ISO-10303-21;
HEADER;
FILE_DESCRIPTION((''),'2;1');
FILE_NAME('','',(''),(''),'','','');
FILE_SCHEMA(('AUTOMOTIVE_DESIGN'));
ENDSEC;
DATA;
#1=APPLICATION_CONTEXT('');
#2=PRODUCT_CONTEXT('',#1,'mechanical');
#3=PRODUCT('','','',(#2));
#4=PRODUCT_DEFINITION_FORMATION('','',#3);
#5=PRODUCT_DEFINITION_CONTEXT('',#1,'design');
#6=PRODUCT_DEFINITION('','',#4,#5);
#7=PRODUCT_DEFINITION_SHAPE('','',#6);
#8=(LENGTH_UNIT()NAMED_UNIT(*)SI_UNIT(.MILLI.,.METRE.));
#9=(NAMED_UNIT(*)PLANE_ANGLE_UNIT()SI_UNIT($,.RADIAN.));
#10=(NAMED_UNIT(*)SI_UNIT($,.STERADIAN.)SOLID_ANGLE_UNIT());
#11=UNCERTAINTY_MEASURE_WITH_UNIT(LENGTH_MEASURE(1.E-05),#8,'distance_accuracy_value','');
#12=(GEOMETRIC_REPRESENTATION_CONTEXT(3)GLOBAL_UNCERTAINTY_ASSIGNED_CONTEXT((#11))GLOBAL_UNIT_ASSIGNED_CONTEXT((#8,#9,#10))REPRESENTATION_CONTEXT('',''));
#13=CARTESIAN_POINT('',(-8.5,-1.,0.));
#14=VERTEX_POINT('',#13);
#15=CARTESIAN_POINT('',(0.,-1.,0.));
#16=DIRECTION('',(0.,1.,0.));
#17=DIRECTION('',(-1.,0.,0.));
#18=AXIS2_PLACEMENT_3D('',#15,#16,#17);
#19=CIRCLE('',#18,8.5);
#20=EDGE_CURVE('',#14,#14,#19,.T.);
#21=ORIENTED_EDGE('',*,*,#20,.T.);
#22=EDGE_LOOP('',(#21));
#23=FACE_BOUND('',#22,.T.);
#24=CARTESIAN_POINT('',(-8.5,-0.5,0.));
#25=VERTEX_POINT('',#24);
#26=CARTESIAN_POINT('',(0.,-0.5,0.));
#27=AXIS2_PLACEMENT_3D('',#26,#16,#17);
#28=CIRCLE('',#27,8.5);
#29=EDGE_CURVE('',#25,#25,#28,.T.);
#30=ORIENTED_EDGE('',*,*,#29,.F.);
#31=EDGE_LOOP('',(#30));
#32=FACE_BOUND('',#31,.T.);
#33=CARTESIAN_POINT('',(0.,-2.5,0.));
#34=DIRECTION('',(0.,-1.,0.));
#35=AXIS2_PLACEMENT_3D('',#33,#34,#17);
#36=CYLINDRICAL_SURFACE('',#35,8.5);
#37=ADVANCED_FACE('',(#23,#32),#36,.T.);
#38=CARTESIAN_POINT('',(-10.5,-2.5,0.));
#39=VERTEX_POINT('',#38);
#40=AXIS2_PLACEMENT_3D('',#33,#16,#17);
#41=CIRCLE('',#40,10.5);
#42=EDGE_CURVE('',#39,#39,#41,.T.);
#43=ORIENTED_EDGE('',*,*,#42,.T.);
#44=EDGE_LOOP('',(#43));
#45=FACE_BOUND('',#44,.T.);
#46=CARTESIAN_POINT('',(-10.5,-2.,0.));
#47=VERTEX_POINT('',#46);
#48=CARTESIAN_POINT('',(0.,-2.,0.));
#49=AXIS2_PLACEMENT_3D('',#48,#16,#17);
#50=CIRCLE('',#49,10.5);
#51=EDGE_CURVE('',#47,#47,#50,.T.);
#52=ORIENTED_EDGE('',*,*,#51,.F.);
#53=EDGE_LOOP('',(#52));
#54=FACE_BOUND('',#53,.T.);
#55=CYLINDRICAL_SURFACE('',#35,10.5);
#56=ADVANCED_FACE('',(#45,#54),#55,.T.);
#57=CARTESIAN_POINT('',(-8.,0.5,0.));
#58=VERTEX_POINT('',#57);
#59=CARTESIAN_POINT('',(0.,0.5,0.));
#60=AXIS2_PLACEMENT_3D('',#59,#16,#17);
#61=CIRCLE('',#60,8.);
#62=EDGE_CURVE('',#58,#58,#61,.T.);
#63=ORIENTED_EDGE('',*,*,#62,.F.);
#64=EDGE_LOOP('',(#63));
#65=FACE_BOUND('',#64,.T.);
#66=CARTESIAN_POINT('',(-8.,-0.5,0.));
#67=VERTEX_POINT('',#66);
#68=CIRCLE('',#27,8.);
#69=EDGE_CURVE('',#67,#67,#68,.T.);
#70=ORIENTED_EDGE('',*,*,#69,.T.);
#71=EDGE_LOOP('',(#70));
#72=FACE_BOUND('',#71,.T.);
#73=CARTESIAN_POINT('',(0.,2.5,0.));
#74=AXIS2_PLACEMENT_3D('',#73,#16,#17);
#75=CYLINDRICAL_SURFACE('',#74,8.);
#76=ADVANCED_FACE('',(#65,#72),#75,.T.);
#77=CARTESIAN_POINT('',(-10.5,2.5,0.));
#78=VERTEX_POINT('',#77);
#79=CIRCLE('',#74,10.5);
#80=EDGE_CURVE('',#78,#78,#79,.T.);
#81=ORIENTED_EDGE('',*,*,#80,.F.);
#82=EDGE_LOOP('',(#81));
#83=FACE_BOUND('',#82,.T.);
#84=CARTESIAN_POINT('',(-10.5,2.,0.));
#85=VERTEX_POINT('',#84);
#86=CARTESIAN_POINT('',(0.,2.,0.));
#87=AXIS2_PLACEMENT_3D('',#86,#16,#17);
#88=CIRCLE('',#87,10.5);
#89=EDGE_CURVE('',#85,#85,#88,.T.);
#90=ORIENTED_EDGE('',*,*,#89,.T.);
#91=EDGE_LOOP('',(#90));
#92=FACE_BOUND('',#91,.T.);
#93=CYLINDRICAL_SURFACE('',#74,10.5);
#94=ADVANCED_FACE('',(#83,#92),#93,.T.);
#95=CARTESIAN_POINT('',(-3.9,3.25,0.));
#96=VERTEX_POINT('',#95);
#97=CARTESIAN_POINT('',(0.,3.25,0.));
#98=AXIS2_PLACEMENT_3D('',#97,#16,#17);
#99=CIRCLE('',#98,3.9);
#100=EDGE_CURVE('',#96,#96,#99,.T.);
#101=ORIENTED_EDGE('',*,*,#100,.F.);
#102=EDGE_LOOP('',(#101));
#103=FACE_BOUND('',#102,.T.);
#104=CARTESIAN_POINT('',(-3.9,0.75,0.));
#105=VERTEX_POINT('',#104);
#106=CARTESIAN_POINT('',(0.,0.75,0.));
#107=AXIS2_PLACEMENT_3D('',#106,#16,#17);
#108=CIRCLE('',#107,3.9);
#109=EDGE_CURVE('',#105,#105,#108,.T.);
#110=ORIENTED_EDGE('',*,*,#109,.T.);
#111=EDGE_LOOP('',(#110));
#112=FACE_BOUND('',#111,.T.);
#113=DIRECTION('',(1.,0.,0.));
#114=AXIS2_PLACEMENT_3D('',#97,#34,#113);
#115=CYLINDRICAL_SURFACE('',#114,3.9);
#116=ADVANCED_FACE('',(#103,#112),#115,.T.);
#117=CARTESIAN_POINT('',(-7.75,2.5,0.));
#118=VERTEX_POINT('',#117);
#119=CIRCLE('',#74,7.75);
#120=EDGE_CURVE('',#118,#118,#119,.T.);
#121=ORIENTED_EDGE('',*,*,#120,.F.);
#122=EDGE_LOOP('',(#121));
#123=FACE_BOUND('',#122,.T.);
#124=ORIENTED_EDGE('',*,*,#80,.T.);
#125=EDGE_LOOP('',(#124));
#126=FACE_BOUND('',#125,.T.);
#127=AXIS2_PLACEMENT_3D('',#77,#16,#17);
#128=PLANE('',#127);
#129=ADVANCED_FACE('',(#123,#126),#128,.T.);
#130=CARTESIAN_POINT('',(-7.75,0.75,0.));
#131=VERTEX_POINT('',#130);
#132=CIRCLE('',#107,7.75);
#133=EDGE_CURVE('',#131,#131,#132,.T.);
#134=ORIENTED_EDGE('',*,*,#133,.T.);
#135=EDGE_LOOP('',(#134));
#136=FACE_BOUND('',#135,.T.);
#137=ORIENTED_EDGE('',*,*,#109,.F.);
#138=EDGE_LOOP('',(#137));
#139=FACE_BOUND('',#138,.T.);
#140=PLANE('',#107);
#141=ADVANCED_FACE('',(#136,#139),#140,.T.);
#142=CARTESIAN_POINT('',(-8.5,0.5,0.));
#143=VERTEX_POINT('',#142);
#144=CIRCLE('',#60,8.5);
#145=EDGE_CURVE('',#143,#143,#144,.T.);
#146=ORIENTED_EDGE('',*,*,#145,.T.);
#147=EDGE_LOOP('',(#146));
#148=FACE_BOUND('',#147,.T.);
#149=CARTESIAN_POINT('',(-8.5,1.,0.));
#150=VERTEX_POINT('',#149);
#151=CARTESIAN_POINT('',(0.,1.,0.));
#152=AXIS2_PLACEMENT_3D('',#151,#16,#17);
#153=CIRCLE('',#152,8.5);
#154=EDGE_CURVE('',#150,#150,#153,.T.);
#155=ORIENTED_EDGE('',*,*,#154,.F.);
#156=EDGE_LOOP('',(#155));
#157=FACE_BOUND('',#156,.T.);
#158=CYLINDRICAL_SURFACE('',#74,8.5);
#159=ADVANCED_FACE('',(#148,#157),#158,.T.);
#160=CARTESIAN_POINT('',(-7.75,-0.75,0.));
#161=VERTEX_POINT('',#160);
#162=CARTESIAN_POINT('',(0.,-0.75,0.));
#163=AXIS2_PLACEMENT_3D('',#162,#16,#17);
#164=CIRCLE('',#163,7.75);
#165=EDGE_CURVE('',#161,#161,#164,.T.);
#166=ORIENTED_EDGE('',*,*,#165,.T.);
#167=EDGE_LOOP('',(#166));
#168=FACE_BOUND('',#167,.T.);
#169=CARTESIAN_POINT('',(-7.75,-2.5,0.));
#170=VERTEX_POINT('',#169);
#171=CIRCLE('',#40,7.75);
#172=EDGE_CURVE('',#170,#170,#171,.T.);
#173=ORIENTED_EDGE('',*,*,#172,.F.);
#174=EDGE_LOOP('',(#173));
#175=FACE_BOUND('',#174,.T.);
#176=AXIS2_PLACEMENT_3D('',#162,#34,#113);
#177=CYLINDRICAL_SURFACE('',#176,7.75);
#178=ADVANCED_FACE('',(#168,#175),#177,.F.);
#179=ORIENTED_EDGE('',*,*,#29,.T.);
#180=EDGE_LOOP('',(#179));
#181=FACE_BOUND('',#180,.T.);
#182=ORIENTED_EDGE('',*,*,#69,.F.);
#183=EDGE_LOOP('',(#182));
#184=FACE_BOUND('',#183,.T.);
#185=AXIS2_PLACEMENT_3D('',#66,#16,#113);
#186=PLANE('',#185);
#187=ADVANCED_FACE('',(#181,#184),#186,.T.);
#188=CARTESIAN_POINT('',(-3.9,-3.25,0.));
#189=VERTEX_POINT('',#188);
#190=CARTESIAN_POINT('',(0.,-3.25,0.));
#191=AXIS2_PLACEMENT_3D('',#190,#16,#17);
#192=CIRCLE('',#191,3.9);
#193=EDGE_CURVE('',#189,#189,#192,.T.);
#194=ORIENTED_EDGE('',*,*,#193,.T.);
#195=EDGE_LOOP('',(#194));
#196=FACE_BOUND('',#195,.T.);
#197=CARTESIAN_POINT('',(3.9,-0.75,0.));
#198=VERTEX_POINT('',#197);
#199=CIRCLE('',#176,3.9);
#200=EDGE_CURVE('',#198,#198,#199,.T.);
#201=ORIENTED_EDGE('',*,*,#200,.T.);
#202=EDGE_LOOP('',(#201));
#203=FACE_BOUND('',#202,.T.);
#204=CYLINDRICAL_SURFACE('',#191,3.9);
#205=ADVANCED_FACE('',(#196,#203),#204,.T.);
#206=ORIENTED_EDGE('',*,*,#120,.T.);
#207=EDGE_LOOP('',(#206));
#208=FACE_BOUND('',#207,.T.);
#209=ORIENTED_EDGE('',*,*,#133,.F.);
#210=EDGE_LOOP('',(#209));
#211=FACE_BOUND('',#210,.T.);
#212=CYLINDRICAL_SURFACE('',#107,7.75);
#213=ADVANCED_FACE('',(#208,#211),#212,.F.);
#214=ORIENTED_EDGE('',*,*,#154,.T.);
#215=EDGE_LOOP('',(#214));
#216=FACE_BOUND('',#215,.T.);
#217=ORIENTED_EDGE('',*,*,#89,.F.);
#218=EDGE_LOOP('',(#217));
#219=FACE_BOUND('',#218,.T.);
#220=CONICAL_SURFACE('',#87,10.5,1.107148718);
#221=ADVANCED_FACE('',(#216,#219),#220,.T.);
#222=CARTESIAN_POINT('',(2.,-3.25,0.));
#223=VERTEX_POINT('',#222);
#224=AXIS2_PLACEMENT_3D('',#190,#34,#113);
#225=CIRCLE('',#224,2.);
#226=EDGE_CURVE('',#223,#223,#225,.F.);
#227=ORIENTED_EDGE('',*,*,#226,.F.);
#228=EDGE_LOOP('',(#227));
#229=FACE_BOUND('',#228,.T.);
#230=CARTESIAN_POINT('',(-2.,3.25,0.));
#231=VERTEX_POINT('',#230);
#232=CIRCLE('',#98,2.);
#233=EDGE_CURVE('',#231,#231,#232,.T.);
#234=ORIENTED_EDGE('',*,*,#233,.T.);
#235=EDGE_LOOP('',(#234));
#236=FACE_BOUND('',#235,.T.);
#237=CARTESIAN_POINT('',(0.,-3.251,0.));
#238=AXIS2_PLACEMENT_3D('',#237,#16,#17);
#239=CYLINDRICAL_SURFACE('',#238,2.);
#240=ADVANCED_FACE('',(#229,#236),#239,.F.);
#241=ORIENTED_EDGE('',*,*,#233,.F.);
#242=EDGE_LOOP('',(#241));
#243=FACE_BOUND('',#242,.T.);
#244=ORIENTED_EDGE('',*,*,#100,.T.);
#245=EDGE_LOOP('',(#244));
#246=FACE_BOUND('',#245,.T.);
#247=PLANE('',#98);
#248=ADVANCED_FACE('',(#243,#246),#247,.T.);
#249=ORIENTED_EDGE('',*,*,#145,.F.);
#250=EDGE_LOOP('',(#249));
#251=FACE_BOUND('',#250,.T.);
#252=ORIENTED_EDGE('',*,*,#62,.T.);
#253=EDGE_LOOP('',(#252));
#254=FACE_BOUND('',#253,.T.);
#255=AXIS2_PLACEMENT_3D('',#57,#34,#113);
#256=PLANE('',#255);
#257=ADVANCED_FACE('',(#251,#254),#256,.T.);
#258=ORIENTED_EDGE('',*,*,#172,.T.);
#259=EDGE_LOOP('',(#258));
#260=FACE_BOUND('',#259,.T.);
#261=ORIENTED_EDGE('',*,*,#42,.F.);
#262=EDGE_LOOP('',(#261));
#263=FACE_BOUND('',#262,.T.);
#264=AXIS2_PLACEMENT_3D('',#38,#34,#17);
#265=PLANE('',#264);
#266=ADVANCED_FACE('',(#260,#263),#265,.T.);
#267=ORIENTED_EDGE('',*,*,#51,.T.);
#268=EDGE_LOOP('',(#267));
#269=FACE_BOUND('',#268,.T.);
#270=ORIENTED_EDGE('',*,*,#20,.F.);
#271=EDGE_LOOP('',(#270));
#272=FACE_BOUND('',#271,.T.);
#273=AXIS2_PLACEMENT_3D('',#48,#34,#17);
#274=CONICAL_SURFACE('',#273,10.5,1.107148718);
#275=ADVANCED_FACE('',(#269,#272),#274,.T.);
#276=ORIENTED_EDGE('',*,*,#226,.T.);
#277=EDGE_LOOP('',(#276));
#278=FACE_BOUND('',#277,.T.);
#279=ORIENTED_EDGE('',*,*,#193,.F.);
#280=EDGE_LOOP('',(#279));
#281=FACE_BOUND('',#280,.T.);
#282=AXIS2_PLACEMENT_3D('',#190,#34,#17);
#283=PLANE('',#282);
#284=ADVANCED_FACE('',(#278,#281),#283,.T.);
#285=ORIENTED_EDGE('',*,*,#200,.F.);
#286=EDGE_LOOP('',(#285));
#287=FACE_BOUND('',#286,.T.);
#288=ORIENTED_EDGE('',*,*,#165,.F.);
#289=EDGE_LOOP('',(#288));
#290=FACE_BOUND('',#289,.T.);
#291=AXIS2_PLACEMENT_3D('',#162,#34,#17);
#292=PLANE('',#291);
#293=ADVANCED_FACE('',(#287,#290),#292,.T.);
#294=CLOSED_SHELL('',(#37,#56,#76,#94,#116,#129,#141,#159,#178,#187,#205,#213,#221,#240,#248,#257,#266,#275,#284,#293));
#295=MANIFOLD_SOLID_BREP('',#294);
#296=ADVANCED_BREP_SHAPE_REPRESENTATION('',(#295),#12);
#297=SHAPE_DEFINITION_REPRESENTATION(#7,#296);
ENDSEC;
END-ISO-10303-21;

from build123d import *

# Parameters (mm, degrees)
SKETCH_2_R          = 7.75
CUT_EXTRUDE_1_DEPTH = 1.75
SKETCH_3_R          = 3.9
EXTRUDE_1_DEPTH     = 2.5
CUT_EXTRUDE_2_REACH = 18.21
SKETCH_4_R          = 2


with BuildPart() as part:
    # 草图1 → 旋转1 (revolve)
    with BuildSketch(Plane.XY):
        Polygon((0, 0), (-8, 0), (-8, 0.5), (-8.5, 0.5), (-8.5, 1), (-10.5, 2), (-10.5, 2.5), (0, 2.5), align=None)
    revolve_1 = revolve(axis=Axis((0, 2.5, 0), (0, -1, 0)))

    # 镜向1: 旋转1 across plane
    add(revolve_1.mirror(Plane.ZX))

    # 草图2 → 切除-拉伸1 (cut)
    with BuildSketch(Plane(origin=(0, 2.5, 0), x_dir=(1, 0, 0), z_dir=(0, 1, 0))):
        with Locations(Location((0, 0, 0), (0, 0, 180))):
            Circle(SKETCH_2_R)
    cut_extrude_1 = extrude(amount=-CUT_EXTRUDE_1_DEPTH, mode=Mode.SUBTRACT)

    # 草图3 → 凸台-拉伸1 (add)
    with BuildSketch(Plane(origin=(0, 0.75, 0), x_dir=(1, 0, 0), z_dir=(0, 1, 0))):
        with Locations(Location((0, 0, 0), (0, 0, 180))):
            Circle(SKETCH_3_R)
    extrude_1 = extrude(amount=EXTRUDE_1_DEPTH)

    # 镜向2: 切除-拉伸1, 凸台-拉伸1 across plane
    add(cut_extrude_1.mirror(Plane.ZX), mode=Mode.SUBTRACT)
    add(extrude_1.mirror(Plane.ZX))

    # 草图4 → 切除-拉伸2 (cut, up to next)
    with BuildSketch(Plane(origin=(0, 3.25, 0), x_dir=(1, 0, 0), z_dir=(0, 1, 0)), mode=Mode.PRIVATE) as cut_extrude_2_sk1:
        with Locations(Location((0, 0, 0), (0, 0, 180))):
            Circle(SKETCH_4_R)
    cut_extrude_2_tool1 = extrude(cut_extrude_2_sk1.sketch, amount=-CUT_EXTRUDE_2_REACH, mode=Mode.PRIVATE) & part.part
    add(cut_extrude_2_tool1.solids().sort_by_distance((0, 3.25, 0))[0], mode=Mode.SUBTRACT)


solid = part.part
